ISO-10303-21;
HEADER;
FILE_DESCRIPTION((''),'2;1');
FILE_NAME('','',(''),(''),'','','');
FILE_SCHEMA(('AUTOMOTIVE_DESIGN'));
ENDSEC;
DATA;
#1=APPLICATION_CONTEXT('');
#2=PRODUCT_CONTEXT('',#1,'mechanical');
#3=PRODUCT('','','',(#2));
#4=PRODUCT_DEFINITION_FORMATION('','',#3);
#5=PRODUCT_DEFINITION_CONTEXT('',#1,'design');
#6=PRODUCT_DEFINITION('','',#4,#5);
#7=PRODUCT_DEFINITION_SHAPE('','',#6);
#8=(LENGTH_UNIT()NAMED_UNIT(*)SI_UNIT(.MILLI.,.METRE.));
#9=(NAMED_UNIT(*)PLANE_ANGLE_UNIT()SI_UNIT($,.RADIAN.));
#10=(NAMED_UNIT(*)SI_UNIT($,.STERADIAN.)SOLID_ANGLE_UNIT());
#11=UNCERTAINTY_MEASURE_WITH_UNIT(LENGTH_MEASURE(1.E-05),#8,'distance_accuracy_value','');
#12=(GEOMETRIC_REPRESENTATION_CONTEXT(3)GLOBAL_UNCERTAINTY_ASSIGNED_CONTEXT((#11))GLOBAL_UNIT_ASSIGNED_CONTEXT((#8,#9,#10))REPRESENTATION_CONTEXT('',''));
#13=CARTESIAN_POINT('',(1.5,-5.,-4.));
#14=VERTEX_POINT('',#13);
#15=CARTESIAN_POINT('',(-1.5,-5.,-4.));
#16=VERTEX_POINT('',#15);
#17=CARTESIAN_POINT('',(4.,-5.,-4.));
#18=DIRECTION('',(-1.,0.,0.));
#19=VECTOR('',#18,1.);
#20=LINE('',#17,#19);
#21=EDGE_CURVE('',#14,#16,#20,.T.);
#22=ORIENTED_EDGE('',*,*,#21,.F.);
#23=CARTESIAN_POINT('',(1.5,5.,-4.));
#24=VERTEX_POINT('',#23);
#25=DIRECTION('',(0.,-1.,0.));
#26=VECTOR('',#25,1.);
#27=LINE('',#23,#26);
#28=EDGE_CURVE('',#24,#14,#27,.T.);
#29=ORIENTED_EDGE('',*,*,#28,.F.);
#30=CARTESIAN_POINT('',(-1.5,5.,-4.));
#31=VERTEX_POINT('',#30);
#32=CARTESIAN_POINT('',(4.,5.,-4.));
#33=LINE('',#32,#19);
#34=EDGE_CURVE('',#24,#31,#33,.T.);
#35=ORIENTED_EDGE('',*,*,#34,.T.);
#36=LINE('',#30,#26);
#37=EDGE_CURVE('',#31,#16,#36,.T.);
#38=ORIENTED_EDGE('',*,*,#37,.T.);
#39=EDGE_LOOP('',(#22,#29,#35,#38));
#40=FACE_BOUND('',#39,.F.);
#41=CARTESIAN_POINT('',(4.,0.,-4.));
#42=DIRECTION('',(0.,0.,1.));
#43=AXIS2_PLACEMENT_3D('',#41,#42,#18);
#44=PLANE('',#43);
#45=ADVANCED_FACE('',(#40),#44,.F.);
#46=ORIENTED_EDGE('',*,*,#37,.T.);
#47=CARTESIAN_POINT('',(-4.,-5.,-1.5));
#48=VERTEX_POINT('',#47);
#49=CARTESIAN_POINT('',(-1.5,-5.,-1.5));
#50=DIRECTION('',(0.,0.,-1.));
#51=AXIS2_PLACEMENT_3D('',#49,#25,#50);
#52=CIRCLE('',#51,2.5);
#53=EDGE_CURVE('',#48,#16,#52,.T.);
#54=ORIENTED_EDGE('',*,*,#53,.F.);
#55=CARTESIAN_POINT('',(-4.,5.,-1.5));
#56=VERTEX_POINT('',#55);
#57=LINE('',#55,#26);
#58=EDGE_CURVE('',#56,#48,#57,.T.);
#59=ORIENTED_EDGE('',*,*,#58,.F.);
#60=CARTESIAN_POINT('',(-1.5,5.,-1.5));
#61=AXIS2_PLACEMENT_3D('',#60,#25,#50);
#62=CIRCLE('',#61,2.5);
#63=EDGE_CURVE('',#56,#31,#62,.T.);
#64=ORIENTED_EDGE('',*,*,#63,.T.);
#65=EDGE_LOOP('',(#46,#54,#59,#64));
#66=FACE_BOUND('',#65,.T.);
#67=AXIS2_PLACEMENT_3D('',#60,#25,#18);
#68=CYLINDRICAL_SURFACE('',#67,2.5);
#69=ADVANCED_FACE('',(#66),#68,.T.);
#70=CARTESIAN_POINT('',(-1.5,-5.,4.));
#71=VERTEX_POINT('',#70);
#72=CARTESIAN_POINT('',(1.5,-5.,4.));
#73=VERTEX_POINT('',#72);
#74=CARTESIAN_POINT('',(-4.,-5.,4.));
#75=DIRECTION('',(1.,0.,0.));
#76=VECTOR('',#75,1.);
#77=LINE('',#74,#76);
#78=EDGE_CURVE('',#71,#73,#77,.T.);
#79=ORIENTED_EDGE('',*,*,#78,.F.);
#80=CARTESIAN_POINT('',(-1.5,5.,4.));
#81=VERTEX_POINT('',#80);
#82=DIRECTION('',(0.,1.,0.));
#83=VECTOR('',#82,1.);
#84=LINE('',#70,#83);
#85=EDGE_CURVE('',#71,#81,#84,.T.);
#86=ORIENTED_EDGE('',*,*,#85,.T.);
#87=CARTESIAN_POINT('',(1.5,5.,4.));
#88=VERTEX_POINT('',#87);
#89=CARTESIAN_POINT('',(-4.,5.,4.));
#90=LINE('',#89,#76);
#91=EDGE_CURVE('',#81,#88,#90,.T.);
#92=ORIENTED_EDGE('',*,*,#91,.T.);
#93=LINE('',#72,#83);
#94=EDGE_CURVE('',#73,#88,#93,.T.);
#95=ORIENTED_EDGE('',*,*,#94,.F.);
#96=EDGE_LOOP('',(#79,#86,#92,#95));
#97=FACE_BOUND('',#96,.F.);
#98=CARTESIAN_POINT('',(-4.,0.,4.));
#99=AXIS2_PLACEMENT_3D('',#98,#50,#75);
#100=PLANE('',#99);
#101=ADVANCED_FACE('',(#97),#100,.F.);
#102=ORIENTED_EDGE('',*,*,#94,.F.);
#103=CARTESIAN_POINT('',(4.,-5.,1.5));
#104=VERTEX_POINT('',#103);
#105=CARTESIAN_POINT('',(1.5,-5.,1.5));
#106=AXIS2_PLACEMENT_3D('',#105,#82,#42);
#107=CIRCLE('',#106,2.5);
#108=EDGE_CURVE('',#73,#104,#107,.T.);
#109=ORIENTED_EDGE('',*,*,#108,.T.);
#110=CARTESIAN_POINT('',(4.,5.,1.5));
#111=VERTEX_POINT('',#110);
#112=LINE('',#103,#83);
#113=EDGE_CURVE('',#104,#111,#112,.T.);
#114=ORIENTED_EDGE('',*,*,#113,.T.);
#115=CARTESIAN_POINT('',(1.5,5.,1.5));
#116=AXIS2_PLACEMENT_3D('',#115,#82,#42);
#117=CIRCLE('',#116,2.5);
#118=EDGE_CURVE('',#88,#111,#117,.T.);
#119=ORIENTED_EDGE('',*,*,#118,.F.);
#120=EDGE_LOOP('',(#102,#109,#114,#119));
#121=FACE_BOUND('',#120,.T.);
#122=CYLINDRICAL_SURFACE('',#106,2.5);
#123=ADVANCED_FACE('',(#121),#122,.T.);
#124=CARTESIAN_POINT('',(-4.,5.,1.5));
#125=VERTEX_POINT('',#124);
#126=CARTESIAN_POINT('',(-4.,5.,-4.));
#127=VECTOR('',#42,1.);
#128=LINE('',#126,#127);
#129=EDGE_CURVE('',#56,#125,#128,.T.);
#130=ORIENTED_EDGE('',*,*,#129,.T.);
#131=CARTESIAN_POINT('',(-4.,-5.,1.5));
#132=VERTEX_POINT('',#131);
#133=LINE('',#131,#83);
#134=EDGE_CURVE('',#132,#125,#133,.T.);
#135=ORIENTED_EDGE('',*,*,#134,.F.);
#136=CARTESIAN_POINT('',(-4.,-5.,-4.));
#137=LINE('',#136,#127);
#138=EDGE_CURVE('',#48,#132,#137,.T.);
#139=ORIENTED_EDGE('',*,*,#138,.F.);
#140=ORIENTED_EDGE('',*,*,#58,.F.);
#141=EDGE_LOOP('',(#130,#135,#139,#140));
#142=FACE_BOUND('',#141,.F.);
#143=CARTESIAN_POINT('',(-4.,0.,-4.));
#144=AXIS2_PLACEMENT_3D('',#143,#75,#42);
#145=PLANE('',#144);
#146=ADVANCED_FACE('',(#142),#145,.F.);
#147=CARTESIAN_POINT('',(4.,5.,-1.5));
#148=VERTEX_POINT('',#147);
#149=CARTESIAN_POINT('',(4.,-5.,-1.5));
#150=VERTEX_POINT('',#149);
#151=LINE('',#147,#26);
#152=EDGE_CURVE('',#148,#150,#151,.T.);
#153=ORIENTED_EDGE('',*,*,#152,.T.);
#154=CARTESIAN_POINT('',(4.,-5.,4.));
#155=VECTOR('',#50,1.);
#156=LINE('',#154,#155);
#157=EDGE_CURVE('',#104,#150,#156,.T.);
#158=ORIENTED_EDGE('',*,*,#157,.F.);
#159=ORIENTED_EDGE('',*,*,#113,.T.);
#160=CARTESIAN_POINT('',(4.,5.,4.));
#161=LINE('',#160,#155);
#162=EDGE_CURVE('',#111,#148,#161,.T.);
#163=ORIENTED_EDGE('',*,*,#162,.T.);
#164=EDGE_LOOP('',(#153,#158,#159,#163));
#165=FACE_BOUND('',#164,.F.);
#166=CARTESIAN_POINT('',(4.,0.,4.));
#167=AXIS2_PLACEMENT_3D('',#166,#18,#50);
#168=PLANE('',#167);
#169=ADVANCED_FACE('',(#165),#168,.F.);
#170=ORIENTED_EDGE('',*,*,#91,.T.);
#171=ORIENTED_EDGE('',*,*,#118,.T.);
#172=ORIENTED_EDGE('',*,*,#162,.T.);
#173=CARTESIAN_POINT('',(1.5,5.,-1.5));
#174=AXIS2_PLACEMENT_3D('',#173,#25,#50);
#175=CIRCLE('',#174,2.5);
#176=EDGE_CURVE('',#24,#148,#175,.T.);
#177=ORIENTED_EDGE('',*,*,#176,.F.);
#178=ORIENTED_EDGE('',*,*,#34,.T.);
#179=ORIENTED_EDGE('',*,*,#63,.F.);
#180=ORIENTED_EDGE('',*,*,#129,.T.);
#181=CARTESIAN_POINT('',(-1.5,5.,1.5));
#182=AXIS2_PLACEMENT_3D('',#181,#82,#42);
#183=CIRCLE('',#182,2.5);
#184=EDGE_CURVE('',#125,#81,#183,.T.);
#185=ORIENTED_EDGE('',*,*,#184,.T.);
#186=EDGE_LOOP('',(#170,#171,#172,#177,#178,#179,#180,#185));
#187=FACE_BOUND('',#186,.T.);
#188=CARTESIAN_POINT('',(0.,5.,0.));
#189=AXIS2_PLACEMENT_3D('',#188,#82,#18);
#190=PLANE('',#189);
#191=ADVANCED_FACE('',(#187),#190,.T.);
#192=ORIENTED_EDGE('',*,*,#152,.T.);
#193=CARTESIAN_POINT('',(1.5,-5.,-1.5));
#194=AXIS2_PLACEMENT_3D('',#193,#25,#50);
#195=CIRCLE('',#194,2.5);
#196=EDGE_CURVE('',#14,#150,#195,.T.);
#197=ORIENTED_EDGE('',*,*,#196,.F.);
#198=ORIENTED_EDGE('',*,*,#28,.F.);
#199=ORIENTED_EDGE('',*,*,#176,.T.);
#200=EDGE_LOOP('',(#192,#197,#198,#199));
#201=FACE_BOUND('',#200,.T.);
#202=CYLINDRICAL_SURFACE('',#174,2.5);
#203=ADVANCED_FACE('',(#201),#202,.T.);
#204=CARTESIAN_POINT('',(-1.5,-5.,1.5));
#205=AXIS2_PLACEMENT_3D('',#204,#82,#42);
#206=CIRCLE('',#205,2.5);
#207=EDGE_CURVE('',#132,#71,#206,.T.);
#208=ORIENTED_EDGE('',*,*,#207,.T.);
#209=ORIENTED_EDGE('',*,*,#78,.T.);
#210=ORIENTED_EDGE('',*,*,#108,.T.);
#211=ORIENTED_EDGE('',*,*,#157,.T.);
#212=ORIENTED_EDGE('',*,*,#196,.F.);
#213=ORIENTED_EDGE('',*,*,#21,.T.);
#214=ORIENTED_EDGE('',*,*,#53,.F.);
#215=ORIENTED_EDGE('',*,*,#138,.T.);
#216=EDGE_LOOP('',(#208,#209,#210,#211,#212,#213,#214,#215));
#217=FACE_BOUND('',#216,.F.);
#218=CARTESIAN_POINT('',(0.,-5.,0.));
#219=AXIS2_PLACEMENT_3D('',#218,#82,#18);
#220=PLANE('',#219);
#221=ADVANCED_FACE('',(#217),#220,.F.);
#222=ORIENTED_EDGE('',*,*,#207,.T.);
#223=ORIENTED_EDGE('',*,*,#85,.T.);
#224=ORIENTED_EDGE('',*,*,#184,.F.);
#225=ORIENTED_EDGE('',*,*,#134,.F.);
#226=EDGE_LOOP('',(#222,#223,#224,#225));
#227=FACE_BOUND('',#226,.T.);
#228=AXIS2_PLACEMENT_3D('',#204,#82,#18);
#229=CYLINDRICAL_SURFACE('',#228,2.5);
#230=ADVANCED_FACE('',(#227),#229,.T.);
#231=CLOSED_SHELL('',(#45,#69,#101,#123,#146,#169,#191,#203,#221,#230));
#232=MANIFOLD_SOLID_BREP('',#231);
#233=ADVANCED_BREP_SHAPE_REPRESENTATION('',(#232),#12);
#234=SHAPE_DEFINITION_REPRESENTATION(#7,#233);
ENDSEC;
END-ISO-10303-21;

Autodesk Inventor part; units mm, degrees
ref_plane "YZ Plane" through (0, 0, 0) normal (1, 0, 0) x (0, 1, 0)
ref_plane "XZ Plane" through (0, 0, 0) normal (0, 1, 0) x (-1, 0, 0)
ref_plane "XY Plane" through (0, 0, 0) normal (0, 0, 1) x (1, 0, 0)
sketch "Sketch1" plane through (0, 0, 0) normal (0, 1, 0) x (-1, 0, 0)
  line L0 (4, 4) -> (-4, 4)
  line L1 (-4, 4) -> (-4, -4)
  line L2 (-4, -4) -> (4, -4)
  line L3 (4, -4) -> (4, 4)
  line L4 (4, 4) -> (-4, -4) construction
  line L5 (-4, 4) -> (4, -4) construction
  point P0 (0, 0)
  dimension "d0" = 8
  dimension "d1" = 8
extrude "Extrusion1" add sketch "Sketch1" along normal mid plane 10
fillet "Fillet1" radius 2.5 4 edges at (4, 0, 4) (4, 0, -4) (-4, 0, 4) (-4, 0, -4)
properties part number "Rounded Square"
